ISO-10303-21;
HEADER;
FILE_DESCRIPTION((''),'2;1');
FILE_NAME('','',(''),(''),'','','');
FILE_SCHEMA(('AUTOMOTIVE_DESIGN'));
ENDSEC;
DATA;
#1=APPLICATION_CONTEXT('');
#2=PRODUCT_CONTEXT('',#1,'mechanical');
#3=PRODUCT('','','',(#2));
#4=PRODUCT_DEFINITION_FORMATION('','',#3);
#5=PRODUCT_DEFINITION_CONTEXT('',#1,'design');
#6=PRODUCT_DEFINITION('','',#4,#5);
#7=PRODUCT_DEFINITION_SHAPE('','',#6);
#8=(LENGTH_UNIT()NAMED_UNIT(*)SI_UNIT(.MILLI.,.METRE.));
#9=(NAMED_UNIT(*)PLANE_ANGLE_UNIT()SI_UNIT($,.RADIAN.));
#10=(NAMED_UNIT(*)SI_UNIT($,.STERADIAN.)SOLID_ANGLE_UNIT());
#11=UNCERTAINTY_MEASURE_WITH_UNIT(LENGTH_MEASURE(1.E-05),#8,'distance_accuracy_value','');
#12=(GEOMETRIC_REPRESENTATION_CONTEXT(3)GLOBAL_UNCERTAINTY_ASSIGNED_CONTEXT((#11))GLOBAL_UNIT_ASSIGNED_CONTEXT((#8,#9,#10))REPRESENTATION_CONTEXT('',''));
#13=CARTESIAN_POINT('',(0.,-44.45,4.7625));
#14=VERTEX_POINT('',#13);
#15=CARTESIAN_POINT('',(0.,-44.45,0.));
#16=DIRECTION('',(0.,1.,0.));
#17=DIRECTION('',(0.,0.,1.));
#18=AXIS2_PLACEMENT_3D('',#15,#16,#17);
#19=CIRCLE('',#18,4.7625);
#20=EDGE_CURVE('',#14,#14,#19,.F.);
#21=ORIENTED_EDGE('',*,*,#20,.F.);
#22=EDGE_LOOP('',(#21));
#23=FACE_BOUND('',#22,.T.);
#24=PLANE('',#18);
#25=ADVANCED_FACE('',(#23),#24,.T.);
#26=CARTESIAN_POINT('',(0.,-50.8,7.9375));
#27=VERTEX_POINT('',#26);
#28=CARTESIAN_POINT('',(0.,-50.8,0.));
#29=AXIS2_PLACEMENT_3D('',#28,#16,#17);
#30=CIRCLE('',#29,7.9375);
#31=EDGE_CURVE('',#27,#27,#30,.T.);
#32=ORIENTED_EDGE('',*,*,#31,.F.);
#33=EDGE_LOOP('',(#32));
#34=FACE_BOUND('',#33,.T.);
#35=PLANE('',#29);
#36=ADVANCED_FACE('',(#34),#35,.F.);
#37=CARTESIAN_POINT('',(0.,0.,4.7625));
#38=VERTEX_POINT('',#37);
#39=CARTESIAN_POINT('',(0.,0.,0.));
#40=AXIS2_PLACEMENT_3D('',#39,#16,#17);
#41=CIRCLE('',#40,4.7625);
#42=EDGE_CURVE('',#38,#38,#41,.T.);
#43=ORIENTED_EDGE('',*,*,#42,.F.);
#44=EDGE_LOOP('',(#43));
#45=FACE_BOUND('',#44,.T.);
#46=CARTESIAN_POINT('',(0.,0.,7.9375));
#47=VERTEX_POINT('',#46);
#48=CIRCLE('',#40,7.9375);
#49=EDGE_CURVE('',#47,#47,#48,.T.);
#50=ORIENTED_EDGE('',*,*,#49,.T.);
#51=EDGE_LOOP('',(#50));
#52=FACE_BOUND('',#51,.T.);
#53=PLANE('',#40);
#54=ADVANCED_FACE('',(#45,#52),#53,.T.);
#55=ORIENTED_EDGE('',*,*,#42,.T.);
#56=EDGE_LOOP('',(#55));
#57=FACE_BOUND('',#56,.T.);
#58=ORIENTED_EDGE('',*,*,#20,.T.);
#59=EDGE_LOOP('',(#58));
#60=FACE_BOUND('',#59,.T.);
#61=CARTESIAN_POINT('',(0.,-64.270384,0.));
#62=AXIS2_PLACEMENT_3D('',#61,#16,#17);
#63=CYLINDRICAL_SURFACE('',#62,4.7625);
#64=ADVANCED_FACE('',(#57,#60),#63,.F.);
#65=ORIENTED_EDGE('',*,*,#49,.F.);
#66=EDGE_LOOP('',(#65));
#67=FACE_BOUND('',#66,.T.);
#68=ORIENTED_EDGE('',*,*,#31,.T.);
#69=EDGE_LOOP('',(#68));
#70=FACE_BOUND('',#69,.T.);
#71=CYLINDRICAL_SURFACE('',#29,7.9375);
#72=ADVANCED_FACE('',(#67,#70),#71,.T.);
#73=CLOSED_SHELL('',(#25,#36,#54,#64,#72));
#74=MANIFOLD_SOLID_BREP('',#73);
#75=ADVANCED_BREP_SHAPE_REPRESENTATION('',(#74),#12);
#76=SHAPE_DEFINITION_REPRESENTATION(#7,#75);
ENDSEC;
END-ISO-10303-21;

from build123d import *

# Parameters (mm, degrees)
SKETCH1_R           = 7.9375
BOSS_EXTRUDE1_DEPTH = 50.8
SKETCH1_3_R         = 4.7625
CUT_EXTRUDE1_DEPTH  = 44.45


with BuildPart() as part:
    # Sketch1 → Boss-Extrude1 (new body)
    with BuildSketch(Plane(origin=(0, 0, 0), x_dir=(1, 0, 0), z_dir=(0, 1, 0))):
        with Locations(Location((0, 0, 0), (0, 0, 270))):
            Circle(SKETCH1_R)
    extrude(amount=-BOSS_EXTRUDE1_DEPTH)

    # Sketch1<3> → Cut-Extrude1 (cut)
    with BuildSketch(Plane(origin=(0, 0, 0), x_dir=(1, 0, 0), z_dir=(0, 1, 0))):
        with Locations(Location((0, 0, 0), (0, 0, 270))):
            Circle(SKETCH1_3_R)
    extrude(amount=-CUT_EXTRUDE1_DEPTH, mode=Mode.SUBTRACT)


solid = part.part
